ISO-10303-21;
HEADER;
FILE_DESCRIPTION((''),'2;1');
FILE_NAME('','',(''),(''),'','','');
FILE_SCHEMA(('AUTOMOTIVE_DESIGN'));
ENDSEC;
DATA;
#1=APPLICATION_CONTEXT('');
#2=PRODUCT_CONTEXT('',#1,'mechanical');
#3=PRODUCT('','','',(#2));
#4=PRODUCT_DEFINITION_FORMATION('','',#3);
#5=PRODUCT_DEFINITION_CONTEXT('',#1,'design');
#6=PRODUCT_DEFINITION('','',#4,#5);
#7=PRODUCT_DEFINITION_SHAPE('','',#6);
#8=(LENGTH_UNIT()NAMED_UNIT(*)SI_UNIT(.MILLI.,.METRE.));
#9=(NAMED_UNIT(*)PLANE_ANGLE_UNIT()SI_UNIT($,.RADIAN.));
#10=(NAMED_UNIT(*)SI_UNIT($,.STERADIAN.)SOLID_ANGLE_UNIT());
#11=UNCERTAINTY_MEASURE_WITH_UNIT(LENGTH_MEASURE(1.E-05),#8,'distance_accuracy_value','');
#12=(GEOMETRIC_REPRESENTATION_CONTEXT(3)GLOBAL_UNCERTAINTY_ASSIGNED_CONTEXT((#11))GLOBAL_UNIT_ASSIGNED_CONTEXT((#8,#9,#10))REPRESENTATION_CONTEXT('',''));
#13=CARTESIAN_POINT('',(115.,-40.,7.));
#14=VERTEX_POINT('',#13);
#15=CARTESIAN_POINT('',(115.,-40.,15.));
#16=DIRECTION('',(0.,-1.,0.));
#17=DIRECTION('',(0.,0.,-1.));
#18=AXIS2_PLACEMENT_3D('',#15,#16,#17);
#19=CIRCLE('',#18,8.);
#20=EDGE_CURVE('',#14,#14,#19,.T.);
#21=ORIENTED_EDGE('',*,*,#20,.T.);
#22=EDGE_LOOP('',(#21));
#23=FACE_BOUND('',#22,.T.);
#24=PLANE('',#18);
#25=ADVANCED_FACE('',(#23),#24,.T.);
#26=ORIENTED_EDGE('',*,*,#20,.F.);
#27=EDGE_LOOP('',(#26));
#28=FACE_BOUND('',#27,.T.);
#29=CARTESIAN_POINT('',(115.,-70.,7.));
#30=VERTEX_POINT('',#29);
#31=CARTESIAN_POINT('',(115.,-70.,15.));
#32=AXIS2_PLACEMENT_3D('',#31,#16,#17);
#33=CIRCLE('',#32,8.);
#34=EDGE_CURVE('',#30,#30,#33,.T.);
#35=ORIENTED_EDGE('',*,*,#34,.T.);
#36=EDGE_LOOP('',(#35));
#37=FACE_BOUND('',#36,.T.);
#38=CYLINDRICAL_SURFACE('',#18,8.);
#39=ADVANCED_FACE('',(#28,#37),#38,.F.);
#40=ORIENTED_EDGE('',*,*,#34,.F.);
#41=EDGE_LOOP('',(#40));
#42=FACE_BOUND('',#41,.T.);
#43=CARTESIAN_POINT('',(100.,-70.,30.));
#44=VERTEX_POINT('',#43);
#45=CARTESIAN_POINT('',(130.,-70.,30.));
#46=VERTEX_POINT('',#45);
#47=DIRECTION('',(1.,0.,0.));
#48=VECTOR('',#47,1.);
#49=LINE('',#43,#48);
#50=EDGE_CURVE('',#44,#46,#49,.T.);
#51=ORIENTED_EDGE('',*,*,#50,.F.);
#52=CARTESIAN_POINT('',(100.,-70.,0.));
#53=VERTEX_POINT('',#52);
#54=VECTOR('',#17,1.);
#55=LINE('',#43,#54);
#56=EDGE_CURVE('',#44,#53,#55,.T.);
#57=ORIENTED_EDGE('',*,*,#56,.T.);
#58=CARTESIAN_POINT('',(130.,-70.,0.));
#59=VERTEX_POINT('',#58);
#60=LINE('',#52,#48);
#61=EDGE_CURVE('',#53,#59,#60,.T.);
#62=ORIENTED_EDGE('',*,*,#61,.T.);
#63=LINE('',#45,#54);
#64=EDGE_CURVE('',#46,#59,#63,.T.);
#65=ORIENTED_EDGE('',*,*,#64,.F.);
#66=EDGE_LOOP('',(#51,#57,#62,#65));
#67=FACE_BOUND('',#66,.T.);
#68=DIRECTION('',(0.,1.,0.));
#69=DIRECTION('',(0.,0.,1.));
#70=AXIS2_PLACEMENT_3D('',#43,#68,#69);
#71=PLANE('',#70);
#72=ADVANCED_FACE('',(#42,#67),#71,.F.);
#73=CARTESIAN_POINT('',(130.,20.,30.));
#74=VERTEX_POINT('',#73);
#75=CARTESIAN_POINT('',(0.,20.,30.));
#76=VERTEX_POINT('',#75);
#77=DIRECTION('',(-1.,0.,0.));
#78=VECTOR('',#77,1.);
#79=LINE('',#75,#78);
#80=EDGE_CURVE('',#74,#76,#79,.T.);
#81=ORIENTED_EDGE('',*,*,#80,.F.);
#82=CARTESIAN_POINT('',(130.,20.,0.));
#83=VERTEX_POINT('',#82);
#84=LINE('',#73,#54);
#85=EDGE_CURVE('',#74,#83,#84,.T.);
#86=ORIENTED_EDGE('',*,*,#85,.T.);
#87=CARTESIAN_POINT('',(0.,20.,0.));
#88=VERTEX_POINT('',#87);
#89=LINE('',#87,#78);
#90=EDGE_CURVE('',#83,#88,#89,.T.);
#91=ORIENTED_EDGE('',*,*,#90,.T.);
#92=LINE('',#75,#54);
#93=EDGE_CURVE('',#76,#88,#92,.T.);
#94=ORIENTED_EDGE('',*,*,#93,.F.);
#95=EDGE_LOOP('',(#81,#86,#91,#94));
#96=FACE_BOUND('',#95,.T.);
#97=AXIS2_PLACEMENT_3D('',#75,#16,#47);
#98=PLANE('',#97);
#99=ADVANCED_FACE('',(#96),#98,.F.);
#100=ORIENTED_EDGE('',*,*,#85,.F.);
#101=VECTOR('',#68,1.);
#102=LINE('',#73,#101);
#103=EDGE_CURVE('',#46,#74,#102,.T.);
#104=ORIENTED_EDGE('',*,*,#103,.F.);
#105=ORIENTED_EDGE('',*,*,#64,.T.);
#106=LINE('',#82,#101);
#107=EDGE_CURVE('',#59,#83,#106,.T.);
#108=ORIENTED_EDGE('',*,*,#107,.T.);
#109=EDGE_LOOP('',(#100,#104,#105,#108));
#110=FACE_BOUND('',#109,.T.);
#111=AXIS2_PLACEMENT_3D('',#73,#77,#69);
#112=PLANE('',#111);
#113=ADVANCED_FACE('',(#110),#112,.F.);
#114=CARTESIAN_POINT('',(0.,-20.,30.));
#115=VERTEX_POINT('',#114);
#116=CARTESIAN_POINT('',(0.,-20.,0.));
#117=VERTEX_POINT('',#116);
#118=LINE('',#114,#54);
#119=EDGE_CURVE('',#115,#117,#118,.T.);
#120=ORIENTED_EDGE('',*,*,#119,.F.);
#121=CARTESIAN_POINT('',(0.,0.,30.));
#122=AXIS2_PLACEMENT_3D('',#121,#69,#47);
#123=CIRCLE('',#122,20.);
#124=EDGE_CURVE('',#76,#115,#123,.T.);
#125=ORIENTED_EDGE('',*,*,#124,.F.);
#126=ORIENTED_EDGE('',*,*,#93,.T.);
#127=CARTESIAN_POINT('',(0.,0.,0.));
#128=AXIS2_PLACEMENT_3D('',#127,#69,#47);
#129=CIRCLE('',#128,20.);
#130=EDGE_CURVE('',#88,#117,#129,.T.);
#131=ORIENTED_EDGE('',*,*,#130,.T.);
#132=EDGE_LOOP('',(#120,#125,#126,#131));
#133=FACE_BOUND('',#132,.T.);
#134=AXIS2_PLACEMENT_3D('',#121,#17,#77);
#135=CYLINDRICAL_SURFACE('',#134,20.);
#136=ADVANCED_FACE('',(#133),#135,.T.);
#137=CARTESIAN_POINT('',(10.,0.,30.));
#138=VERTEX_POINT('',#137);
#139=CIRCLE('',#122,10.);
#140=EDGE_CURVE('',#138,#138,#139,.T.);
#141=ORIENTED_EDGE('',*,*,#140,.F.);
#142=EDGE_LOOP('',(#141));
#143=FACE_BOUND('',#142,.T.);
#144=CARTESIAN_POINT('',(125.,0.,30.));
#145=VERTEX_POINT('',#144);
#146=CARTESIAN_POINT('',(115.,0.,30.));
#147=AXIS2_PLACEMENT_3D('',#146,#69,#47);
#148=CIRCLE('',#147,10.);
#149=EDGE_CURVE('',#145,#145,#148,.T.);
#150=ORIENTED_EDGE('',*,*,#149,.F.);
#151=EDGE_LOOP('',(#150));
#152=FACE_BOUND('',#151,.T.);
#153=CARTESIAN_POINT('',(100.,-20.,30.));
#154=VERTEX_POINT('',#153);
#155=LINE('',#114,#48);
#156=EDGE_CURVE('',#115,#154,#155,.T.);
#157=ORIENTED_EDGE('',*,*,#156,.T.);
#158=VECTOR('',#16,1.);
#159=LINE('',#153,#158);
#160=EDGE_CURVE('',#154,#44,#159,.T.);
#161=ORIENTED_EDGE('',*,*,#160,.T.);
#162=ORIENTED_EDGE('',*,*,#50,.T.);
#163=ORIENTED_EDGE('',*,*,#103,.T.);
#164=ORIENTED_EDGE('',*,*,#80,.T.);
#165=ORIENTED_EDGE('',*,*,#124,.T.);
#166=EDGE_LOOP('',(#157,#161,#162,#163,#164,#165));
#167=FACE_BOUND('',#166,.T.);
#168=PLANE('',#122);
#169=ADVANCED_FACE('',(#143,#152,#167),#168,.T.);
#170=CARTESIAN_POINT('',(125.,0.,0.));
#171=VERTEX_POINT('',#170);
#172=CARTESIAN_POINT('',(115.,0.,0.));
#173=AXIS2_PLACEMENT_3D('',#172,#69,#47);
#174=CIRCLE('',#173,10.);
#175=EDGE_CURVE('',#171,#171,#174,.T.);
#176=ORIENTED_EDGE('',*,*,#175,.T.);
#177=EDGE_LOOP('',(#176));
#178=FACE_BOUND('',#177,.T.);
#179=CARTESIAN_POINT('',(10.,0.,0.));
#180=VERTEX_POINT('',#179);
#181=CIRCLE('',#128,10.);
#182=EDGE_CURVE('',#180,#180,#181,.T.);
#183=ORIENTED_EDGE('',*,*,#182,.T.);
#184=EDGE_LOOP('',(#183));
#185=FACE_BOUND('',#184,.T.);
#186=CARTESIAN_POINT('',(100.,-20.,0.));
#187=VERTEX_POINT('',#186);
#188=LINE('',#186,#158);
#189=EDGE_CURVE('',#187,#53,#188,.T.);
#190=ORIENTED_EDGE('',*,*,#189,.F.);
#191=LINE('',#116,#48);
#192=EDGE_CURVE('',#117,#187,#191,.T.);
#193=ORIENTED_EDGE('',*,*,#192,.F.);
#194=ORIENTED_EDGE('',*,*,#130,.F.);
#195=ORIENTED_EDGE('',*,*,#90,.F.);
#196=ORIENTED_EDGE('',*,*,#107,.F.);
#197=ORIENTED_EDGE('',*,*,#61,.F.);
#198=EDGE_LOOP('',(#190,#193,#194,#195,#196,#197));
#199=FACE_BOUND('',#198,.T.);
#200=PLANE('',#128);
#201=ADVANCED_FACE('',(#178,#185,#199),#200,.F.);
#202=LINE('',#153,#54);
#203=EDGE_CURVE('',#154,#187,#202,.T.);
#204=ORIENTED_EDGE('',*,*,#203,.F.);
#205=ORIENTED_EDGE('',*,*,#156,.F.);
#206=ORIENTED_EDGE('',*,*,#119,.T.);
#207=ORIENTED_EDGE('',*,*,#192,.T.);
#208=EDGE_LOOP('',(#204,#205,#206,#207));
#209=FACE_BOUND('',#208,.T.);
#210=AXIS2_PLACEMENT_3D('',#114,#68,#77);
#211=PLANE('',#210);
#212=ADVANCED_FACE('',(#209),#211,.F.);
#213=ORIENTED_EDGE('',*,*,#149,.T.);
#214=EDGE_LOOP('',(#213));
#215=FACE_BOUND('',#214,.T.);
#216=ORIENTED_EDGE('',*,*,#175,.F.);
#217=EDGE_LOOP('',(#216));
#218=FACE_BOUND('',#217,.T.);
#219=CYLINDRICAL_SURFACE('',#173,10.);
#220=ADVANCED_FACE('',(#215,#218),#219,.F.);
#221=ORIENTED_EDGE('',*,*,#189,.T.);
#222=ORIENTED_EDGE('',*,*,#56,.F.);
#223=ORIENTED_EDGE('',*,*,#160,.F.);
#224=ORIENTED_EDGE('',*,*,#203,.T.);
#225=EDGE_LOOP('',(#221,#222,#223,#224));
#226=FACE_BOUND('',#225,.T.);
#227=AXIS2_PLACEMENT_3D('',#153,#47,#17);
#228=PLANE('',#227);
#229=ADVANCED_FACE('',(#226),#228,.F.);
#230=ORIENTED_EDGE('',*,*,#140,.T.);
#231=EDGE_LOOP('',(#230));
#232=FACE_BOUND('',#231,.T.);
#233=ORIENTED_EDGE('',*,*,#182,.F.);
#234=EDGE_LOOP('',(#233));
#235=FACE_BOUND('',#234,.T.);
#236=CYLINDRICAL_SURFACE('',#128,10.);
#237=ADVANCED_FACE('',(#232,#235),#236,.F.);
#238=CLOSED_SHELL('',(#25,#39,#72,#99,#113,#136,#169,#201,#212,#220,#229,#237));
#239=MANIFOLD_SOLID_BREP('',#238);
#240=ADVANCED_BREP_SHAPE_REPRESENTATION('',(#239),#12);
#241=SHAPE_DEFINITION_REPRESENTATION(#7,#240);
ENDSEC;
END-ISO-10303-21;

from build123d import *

# Parameters (mm, degrees)
BOSS_EXTRUDE1_DEPTH = 30
SKETCH2_R           = 8
CUT_EXTRUDE1_DEPTH  = 30
SKETCH3_R           = 10
CUT_EXTRUDE2_DEPTH  = 30


with BuildPart() as part:
    # Sketch1 → Boss-Extrude1 (new body)
    with BuildSketch(Plane(origin=(0, 0, 0), x_dir=(0, 1, 0), z_dir=(0, 0, 1))):
        with BuildLine():
            Line((-20, 0), (-20, -100))
            Line((-20, -100), (-70, -100))
            Line((-70, -100), (-70, -130))
            Line((-70, -130), (20, -130))
            Line((20, -130), (20, 0))
            ThreePointArc((20, 0), (0, 20), (-20, 0))
        make_face()
    extrude(amount=BOSS_EXTRUDE1_DEPTH)

    # Sketch2 → Cut-Extrude1 (cut)
    with BuildSketch(Plane.XZ.offset(70)):
        with Locations(Location((115, 15, 0), (0, 0, 270))):
            Circle(SKETCH2_R)
    extrude(amount=-CUT_EXTRUDE1_DEPTH, mode=Mode.SUBTRACT)

    # Sketch3 → Cut-Extrude2 (cut)
    with BuildSketch(Plane.XY.offset(30)):
        Circle(SKETCH3_R)
        with Locations((115, 0)):
            Circle(SKETCH3_R)
    extrude(amount=-CUT_EXTRUDE2_DEPTH, mode=Mode.SUBTRACT)


solid = part.part
